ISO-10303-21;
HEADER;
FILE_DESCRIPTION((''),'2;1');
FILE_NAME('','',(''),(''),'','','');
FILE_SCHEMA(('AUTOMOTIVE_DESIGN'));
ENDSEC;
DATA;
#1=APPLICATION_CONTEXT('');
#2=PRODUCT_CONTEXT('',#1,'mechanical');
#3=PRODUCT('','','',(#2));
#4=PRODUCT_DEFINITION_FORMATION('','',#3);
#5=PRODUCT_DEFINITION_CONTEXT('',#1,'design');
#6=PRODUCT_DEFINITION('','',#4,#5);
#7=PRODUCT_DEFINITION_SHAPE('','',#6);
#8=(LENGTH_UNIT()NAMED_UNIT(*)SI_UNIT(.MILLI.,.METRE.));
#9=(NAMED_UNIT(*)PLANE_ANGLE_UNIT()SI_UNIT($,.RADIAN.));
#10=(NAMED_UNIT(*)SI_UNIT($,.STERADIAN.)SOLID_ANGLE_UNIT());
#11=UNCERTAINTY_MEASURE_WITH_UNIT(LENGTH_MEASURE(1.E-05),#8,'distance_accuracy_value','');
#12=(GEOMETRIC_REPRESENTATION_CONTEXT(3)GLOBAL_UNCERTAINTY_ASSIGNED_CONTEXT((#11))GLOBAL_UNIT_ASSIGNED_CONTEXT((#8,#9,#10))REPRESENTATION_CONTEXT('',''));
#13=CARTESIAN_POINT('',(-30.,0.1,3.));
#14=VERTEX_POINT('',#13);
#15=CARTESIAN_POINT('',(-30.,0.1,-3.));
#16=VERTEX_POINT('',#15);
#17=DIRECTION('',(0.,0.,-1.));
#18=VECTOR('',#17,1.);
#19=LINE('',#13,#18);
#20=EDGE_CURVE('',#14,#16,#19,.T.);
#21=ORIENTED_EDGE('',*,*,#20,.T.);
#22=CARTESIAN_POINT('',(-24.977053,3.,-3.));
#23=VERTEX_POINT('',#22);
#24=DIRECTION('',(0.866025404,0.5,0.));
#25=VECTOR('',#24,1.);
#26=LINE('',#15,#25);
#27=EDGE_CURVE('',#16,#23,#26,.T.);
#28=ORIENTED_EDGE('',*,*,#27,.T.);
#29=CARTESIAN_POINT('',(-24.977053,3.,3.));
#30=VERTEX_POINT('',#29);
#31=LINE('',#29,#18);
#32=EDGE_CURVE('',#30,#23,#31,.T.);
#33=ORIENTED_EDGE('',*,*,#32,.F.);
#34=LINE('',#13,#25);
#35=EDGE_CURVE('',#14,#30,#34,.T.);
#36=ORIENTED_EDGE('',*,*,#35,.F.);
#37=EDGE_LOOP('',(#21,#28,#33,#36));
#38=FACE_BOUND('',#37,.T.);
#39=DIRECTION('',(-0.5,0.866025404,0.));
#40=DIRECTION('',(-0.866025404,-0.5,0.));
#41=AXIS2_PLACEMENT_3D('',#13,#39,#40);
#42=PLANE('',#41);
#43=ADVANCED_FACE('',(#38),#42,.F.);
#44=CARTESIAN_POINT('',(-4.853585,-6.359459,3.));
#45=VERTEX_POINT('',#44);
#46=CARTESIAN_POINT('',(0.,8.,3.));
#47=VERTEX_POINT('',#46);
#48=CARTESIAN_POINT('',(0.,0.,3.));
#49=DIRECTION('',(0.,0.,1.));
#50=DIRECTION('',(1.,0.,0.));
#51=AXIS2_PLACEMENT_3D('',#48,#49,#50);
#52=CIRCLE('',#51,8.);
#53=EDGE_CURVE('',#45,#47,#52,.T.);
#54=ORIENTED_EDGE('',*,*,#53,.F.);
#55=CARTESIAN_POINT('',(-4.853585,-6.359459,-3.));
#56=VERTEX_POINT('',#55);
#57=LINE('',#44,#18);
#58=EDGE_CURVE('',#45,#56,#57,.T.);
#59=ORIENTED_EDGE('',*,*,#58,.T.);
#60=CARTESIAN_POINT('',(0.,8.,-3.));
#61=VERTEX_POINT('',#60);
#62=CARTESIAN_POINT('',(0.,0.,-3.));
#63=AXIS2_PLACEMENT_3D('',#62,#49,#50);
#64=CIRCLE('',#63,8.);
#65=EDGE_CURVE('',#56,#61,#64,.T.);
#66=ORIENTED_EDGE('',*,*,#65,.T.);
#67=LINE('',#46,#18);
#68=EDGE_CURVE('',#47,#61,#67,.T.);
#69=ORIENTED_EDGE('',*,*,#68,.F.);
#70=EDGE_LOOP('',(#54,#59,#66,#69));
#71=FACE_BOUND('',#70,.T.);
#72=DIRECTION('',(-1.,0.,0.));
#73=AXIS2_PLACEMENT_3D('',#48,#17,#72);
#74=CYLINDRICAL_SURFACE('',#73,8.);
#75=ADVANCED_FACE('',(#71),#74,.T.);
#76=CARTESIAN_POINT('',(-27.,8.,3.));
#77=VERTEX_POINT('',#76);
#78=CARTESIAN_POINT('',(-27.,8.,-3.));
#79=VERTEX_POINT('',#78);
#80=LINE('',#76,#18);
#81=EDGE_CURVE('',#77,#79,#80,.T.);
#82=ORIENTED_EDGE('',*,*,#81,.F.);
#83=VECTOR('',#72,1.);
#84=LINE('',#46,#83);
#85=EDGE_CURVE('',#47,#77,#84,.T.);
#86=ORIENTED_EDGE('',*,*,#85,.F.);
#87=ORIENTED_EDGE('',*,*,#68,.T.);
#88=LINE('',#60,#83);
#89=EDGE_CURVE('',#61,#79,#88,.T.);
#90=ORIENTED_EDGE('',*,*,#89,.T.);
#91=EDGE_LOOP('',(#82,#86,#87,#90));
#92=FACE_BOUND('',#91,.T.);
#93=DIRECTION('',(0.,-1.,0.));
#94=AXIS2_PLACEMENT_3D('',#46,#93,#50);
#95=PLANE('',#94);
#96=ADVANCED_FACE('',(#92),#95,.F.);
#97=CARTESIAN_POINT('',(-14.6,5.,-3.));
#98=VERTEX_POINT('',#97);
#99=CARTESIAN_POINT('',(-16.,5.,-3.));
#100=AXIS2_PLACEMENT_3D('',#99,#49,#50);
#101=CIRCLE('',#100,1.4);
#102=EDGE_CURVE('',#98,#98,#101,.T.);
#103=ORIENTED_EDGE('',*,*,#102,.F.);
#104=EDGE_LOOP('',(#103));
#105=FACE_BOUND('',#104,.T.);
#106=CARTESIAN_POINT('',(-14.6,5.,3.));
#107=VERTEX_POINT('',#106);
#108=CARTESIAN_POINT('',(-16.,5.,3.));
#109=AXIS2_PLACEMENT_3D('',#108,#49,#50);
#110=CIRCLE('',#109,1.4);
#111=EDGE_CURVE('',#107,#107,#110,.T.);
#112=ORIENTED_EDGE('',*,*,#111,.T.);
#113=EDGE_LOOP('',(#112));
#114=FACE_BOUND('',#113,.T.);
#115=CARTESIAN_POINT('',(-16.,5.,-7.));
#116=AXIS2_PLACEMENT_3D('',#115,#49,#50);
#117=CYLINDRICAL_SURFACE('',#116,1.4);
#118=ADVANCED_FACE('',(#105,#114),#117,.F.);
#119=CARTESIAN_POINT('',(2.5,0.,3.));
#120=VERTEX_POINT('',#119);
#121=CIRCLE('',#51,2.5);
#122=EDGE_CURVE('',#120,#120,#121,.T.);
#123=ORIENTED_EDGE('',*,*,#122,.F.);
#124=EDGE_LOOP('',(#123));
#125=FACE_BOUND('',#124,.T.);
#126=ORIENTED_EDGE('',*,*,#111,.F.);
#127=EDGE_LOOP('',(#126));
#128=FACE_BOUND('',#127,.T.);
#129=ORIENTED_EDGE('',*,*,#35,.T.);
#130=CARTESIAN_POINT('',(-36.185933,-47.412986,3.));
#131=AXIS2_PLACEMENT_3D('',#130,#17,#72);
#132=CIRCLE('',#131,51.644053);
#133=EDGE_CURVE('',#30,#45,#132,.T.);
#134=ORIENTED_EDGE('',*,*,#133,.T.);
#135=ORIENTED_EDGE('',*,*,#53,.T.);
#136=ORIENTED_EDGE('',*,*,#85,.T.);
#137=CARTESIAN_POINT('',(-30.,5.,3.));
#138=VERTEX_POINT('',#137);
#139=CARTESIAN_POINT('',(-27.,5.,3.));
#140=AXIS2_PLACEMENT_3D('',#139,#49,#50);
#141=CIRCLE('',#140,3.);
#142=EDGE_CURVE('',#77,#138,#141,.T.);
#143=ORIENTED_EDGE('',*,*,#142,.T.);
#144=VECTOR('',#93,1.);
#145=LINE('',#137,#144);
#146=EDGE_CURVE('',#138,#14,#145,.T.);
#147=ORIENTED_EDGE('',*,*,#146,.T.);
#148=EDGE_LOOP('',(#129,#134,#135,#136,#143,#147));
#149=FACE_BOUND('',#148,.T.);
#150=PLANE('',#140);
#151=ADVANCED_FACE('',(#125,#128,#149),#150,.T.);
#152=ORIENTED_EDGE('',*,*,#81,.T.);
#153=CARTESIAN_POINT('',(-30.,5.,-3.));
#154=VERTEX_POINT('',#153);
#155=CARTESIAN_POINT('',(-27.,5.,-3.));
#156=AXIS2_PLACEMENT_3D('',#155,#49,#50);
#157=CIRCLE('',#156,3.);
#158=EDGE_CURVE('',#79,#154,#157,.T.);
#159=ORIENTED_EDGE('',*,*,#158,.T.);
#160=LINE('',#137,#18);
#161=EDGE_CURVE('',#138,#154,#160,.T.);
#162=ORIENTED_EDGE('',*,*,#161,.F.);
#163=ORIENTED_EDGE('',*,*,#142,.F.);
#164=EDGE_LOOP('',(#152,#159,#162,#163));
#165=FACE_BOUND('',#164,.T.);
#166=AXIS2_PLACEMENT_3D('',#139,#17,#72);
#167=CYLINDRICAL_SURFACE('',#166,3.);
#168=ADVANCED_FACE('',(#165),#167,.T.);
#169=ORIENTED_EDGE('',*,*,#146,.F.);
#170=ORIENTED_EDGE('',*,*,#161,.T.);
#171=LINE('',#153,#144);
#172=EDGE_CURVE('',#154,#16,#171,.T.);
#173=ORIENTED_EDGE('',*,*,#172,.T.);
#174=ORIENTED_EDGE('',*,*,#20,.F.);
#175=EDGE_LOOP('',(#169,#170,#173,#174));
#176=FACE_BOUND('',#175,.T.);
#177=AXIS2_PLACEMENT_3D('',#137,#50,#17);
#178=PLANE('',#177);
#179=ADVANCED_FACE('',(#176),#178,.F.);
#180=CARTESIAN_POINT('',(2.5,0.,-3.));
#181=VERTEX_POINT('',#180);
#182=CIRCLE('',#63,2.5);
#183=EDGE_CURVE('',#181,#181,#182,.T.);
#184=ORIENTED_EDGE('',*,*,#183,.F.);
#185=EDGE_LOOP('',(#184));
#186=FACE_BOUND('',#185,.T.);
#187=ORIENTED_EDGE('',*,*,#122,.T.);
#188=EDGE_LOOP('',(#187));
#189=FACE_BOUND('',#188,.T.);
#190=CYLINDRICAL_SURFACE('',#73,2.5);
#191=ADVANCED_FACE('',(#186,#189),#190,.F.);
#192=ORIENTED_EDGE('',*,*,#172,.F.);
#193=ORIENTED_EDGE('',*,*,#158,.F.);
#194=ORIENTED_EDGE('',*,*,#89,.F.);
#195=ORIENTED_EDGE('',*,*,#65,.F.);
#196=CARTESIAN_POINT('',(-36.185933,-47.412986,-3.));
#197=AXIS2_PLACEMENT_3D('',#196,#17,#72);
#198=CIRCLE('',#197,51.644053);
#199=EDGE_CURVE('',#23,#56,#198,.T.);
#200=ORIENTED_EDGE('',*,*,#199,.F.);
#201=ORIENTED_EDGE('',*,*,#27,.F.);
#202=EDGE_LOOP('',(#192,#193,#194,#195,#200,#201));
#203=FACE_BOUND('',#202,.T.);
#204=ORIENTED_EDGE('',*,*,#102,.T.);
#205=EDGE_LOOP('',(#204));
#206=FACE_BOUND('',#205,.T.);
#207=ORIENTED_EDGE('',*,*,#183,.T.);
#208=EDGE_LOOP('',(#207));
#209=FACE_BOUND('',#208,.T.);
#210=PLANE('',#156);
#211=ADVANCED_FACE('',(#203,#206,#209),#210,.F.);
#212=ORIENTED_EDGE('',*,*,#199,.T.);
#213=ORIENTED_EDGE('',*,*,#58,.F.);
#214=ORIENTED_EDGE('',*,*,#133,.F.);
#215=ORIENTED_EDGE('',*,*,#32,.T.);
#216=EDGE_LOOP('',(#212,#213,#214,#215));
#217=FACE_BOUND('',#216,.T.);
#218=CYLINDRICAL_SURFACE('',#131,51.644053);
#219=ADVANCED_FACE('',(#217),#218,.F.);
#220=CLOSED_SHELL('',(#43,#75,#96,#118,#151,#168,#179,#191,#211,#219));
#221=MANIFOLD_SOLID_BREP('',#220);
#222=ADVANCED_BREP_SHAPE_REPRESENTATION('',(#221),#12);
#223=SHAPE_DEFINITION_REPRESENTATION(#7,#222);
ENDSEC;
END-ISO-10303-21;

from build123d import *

# Parameters (mm, degrees)
SKETCH1_R           = 2.5
BOSS_EXTRUDE1_DEPTH = 3
SKETCH2_R           = 1.4
CUT_EXTRUDE1_DEPTH  = 10


with BuildPart() as part:
    # Sketch1 → Boss-Extrude1 (new, symmetric)
    with BuildSketch(Plane.XY):
        with BuildLine():
            Line((0, 8), (-27, 8))
            ThreePointArc((-27, 8), (-29.121320344, 7.121320344), (-30, 5))
            Line((-30, 5), (-30, 0.1))
            Line((-30, 0.1), (-24.977052658, 3))
            ThreePointArc((-24.977052658, 3), (-14.406610269, -0.585971857), (-4.85358477, -6.359458694))
            ThreePointArc((-4.85358477, -6.359458694), (7.578775282, -2.561672349), (0, 8))
        make_face()
        Circle(SKETCH1_R, mode=Mode.SUBTRACT)
    extrude(amount=BOSS_EXTRUDE1_DEPTH, both=True)

    # Sketch2 → Cut-Extrude1 (cut)
    with BuildSketch(Plane.XY.offset(3)):
        with Locations((-16, 5)):
            Circle(SKETCH2_R)
    extrude(amount=-CUT_EXTRUDE1_DEPTH, mode=Mode.SUBTRACT)


solid = part.part
